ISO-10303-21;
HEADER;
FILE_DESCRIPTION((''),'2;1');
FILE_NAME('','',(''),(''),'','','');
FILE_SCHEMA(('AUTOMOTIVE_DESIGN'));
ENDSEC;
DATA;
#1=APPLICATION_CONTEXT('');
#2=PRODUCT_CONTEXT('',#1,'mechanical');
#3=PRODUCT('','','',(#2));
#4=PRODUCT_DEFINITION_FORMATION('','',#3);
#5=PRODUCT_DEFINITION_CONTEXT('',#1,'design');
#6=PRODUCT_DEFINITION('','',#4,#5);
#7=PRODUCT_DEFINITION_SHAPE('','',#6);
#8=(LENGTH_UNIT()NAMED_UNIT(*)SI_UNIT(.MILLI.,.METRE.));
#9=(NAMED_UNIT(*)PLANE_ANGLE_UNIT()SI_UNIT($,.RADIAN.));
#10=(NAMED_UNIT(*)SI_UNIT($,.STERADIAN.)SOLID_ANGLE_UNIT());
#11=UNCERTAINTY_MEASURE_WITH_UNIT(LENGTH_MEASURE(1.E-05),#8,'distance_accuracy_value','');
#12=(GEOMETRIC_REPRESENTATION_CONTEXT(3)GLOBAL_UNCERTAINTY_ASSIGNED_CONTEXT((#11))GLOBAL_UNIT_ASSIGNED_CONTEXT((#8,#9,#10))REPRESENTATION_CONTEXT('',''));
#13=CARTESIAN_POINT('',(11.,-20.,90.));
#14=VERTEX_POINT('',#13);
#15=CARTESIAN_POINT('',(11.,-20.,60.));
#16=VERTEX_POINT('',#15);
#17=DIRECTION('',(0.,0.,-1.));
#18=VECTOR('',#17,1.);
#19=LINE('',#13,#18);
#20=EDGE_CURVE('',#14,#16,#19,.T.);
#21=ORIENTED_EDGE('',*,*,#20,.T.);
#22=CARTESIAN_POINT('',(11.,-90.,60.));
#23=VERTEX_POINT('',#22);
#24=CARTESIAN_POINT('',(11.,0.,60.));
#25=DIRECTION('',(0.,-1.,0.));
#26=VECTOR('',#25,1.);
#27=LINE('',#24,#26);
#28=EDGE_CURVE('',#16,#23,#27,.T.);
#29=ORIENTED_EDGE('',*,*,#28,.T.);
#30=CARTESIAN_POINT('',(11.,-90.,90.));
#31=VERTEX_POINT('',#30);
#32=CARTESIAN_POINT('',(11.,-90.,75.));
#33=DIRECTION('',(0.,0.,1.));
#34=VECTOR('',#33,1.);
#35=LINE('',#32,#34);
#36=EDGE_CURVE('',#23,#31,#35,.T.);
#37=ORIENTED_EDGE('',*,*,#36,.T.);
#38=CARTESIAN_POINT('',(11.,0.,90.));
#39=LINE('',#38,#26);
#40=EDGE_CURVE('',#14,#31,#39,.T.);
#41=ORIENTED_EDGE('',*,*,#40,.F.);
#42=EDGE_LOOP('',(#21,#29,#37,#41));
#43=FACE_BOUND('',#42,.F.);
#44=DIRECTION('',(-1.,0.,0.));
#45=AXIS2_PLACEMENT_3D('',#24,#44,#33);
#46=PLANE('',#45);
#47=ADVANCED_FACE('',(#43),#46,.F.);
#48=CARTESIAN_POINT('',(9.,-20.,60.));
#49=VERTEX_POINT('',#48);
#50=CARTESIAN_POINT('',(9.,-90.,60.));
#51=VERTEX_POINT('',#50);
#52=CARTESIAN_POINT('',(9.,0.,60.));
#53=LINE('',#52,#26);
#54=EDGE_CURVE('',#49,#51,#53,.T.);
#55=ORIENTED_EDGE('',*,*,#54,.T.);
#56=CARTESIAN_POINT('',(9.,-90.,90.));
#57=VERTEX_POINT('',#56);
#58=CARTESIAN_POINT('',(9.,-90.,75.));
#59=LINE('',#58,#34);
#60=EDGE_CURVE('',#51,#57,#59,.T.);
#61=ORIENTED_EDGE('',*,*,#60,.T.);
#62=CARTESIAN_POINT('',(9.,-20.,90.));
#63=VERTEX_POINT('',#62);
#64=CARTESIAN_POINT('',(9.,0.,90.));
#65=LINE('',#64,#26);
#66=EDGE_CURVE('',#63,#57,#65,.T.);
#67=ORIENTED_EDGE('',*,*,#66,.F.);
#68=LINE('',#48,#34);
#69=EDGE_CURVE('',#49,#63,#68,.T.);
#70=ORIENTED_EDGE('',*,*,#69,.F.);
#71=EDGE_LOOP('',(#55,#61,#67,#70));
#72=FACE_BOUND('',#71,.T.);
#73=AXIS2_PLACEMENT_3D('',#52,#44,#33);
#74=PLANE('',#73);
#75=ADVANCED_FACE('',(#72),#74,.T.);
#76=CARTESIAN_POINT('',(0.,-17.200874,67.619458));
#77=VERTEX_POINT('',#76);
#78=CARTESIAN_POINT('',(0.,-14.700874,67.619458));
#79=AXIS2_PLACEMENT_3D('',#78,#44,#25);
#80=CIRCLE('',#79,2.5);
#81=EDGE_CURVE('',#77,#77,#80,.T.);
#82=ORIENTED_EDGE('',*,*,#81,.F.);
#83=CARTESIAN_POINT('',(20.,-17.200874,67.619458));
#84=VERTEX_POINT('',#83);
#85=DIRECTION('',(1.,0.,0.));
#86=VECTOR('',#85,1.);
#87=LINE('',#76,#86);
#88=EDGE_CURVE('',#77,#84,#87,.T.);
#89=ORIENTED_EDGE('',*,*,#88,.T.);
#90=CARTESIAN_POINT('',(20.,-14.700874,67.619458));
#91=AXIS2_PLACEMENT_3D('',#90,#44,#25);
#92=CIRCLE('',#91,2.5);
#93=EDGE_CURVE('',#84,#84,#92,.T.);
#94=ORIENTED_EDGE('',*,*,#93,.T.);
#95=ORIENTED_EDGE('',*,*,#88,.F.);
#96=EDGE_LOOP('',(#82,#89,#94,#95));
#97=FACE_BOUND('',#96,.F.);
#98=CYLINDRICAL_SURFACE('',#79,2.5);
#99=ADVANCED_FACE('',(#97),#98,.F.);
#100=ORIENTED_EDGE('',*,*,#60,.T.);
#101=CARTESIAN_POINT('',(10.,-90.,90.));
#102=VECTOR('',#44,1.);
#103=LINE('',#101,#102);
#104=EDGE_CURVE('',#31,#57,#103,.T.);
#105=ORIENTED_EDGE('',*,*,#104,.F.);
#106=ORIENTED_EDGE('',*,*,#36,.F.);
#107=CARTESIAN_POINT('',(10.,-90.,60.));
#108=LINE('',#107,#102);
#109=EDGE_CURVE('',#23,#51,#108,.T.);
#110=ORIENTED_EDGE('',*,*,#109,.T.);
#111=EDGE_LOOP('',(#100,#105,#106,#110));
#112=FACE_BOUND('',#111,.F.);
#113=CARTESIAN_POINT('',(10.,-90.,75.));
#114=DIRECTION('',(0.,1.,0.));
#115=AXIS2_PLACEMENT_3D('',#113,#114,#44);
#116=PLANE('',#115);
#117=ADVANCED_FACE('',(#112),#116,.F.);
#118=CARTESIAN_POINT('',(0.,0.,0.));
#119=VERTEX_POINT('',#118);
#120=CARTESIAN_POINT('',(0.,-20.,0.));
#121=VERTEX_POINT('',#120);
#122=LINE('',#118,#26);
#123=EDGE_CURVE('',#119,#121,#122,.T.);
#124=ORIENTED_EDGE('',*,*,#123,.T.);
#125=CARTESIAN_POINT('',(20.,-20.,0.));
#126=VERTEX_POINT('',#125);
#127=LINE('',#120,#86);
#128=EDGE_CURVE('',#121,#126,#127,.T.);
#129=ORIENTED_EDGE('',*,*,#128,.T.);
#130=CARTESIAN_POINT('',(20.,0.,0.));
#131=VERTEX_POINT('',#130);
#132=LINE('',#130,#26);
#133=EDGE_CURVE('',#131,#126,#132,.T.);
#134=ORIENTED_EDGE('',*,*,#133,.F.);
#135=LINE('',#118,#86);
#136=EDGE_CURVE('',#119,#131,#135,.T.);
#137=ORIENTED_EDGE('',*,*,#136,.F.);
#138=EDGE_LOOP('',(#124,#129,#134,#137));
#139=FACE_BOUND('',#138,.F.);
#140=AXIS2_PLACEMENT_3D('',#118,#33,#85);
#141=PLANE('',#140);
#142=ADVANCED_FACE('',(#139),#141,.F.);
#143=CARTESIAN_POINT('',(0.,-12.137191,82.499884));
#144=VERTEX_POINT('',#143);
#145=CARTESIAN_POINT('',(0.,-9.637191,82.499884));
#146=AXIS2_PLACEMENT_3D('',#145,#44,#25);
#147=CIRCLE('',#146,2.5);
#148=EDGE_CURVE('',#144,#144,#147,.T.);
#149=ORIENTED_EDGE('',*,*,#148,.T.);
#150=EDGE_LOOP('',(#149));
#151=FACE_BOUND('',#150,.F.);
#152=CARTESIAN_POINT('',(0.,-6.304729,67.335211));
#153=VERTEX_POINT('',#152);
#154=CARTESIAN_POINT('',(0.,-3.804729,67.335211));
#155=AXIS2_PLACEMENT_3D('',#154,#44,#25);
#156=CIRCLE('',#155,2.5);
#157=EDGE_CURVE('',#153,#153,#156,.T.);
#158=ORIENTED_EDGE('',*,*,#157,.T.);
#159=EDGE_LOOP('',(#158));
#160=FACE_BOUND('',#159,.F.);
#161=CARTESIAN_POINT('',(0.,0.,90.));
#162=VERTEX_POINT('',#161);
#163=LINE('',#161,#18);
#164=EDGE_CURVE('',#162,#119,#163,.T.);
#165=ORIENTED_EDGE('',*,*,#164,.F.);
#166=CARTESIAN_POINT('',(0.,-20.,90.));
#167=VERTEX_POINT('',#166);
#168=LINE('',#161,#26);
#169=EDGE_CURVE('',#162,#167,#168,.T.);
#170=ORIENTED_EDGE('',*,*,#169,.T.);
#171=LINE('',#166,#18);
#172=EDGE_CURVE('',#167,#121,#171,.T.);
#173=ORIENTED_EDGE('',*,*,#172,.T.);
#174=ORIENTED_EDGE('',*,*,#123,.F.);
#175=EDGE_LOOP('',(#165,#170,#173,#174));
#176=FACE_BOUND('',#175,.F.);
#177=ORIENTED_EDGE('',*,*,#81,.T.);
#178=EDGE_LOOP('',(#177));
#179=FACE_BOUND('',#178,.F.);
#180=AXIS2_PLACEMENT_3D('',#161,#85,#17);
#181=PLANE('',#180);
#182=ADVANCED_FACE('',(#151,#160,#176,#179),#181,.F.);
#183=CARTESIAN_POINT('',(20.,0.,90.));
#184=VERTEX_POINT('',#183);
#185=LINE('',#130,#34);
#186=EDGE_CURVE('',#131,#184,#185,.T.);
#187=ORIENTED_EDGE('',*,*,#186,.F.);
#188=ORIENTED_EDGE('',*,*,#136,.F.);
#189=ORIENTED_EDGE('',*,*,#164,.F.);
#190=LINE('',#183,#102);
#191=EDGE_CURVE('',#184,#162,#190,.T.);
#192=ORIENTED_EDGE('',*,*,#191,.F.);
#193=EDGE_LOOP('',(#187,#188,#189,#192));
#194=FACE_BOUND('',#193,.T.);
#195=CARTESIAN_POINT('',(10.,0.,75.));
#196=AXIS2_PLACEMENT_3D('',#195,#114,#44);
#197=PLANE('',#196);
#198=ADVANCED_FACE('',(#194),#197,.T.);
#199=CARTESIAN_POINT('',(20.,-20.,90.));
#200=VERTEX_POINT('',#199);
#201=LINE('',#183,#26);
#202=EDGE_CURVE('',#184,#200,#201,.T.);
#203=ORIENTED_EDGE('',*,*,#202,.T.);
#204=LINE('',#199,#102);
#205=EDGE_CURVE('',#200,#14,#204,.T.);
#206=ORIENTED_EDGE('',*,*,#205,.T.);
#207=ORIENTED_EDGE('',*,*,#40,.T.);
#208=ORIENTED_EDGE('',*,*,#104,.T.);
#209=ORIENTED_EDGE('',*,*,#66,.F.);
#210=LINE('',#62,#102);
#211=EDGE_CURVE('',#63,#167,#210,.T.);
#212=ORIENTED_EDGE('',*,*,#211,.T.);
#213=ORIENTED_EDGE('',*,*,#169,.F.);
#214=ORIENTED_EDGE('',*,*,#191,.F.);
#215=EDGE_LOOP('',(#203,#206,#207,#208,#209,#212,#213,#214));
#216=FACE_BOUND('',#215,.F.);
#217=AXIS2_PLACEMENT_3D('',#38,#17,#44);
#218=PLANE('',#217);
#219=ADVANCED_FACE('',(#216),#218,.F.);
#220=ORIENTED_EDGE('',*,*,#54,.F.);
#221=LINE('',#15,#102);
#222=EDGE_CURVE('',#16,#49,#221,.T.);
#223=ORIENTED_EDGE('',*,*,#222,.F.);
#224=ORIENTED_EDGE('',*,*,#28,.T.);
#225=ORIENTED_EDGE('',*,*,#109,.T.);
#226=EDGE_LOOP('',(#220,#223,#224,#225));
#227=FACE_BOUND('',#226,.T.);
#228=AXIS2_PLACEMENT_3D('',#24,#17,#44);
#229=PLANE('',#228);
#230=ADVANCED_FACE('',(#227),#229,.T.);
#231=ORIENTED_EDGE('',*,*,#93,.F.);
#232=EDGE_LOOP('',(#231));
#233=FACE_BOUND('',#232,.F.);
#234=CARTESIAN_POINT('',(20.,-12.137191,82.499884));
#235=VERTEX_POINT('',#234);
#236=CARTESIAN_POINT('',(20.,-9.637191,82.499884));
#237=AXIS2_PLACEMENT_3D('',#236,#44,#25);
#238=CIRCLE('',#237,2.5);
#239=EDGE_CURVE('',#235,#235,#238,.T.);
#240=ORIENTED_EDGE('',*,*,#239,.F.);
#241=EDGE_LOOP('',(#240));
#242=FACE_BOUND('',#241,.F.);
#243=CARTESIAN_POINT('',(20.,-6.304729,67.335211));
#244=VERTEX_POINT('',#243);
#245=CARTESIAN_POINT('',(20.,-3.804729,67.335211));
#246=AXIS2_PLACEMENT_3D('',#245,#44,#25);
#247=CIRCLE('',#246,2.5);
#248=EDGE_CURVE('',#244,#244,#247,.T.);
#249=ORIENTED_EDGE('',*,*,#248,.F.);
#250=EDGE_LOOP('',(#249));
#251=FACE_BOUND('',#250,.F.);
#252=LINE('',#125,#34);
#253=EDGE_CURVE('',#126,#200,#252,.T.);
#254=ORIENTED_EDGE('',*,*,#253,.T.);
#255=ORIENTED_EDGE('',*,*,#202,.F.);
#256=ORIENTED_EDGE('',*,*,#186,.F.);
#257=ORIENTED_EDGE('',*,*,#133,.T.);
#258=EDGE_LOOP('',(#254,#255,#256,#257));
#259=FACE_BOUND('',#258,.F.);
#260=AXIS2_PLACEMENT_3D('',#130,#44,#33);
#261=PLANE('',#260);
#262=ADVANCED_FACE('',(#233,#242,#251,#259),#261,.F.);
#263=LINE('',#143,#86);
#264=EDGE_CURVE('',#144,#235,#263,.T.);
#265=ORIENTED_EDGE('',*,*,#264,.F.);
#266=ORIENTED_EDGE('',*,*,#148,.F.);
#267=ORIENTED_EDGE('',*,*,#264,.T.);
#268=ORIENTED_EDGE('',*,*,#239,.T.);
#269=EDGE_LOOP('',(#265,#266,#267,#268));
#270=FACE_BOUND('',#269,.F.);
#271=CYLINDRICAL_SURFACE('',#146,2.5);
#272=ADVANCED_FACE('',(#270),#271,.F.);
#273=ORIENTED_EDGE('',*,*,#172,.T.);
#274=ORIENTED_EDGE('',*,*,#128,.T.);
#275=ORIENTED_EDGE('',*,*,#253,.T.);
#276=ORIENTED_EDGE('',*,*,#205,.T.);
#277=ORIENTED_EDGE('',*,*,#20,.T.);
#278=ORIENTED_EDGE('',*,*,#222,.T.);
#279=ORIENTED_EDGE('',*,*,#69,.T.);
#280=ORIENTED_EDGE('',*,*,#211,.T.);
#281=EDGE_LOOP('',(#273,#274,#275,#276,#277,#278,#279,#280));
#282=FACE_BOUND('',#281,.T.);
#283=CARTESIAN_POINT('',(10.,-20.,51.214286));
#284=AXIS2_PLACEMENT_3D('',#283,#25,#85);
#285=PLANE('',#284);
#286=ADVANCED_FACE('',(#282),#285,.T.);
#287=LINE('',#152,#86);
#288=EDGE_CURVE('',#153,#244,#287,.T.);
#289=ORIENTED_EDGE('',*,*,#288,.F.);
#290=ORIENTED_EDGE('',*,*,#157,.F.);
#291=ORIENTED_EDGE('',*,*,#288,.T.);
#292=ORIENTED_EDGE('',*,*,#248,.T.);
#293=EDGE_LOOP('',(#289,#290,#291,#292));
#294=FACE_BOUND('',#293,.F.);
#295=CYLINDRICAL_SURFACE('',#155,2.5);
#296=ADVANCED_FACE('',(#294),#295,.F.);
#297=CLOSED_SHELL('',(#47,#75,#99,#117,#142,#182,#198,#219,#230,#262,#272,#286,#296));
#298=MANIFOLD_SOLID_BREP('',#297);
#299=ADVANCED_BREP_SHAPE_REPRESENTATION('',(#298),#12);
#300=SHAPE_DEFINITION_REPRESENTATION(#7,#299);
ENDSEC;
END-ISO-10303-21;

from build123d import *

# Parameters (mm, degrees)
F1_DEPTH = 20
F2_W     = 2
F2_H     = 30
F3_DEPTH = 90
F4_R     = 2.5
F5_DEPTH = 25


with BuildPart() as f1:
    # F0 (on Front) → F1 (new body)
    with BuildSketch(Plane.XZ):
        Polygon((0, 90), (0, 0), (20, 0), (20, 90), (11, 90), (11, 60), (9, 60), (9, 90), align=None)
    extrude(amount=F1_DEPTH)

    # F2 (on face) → F3 (join)
    with BuildSketch(Plane(origin=(0, 0, 0), x_dir=(-1, 0, 0), z_dir=(0, 1, 0))):
        with Locations((-10, 75)):
            Rectangle(F2_W, F2_H)
    extrude(amount=-F3_DEPTH)

    # F4 (on face) → F5 (cut)
    with BuildSketch(Plane(origin=(0, 0, 0), x_dir=(0, -1, 0), z_dir=(-1, 0, 0))):
        with Locations((9.6371909603, 82.499884069)):
            Circle(F4_R)
        with Locations((3.8047288544, 67.3352107406)):
            Circle(F4_R)
        with Locations((14.7008737549, 67.6194578409)):
            Circle(F4_R)
    extrude(amount=-F5_DEPTH, mode=Mode.SUBTRACT)


solid = f1.part
